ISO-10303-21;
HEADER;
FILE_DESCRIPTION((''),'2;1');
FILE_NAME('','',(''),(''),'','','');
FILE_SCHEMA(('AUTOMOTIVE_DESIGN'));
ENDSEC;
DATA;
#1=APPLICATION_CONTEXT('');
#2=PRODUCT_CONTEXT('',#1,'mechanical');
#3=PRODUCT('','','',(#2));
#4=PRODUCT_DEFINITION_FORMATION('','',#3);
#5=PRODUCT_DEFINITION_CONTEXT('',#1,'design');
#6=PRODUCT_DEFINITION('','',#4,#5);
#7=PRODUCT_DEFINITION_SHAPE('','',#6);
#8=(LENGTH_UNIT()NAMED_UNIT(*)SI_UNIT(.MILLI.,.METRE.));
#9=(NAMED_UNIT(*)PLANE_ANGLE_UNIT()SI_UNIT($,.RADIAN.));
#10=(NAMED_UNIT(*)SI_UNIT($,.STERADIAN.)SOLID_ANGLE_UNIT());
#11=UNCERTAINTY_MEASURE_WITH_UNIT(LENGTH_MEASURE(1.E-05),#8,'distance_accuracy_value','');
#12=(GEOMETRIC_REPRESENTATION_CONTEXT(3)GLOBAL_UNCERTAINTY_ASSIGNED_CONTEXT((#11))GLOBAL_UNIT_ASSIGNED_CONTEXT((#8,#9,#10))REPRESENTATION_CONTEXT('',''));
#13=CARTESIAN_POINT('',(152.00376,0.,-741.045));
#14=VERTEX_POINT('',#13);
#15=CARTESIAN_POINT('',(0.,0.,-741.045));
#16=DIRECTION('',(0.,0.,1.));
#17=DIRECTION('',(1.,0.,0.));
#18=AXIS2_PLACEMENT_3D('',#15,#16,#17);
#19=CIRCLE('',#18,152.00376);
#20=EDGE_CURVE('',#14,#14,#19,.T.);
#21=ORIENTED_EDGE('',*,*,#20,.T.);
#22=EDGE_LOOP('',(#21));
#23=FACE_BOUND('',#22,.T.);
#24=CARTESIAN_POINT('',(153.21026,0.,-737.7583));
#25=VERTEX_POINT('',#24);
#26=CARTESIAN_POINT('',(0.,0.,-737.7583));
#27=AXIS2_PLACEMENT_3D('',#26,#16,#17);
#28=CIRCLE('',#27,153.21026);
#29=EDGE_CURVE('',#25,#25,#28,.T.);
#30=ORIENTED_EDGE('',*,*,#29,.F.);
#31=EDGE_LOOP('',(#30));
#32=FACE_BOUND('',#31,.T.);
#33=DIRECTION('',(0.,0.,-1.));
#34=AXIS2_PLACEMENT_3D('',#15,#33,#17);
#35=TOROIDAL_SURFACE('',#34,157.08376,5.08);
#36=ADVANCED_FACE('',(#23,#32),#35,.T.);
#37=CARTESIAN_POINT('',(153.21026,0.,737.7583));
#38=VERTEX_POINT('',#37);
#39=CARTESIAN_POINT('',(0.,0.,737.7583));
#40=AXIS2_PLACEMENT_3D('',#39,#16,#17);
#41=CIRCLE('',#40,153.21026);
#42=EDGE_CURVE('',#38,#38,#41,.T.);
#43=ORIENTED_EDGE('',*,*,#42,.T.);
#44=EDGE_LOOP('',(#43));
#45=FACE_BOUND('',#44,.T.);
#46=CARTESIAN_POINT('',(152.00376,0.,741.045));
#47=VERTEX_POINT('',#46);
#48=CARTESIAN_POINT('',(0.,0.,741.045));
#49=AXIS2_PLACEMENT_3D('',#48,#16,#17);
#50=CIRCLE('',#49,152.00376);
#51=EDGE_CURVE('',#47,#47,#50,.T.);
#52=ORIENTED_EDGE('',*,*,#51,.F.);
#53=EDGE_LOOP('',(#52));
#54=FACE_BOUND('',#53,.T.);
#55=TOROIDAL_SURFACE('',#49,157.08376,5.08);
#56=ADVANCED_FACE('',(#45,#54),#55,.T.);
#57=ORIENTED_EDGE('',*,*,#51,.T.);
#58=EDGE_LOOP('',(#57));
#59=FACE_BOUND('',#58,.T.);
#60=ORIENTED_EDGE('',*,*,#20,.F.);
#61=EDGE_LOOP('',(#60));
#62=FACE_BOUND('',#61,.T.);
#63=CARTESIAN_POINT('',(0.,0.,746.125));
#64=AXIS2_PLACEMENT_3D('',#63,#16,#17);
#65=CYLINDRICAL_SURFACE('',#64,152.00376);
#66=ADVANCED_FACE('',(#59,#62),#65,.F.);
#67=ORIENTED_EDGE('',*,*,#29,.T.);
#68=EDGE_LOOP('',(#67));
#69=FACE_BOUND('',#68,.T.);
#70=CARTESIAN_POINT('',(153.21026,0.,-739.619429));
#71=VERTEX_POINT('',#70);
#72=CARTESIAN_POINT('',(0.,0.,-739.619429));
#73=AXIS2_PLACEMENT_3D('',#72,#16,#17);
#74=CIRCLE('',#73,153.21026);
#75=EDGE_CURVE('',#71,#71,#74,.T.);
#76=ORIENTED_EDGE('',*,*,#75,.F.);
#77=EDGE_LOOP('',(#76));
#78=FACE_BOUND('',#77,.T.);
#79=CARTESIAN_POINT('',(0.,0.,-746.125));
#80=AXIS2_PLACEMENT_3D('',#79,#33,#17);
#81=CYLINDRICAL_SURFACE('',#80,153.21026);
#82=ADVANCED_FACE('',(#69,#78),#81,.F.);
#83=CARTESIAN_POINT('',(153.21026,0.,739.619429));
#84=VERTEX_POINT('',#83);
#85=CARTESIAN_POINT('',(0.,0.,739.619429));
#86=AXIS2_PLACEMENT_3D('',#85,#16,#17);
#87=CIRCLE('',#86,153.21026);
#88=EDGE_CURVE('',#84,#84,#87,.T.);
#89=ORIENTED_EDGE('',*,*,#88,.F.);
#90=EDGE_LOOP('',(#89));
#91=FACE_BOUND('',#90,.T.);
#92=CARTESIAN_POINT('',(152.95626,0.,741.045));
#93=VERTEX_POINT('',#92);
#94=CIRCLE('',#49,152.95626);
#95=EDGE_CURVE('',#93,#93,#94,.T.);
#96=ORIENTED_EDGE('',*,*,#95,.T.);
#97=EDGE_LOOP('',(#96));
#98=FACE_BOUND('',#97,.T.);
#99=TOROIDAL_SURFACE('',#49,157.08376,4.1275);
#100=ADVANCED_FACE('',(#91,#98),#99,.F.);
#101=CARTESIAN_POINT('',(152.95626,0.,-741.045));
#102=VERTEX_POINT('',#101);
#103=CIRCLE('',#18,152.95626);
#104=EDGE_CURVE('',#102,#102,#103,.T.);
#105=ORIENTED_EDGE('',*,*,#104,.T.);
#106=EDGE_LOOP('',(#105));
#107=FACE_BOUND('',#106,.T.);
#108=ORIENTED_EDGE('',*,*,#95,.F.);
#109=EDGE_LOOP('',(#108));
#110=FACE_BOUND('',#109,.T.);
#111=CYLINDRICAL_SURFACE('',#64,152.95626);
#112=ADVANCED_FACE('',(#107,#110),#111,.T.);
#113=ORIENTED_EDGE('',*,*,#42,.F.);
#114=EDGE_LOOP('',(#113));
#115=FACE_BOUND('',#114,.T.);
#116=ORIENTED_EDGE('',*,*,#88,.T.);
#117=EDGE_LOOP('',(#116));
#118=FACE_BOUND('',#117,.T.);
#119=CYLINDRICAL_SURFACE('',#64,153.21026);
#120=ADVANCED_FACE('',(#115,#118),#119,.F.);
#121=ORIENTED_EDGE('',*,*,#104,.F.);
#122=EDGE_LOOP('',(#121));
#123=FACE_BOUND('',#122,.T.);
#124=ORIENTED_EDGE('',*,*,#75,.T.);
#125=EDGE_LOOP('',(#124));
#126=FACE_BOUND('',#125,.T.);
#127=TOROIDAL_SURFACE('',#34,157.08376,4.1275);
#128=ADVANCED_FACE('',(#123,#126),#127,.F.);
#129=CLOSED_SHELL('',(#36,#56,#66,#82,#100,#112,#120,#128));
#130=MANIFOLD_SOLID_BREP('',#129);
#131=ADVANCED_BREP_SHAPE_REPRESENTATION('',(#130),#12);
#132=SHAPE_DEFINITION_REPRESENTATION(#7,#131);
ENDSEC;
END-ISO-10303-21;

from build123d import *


with BuildPart() as part:
    # Sketch2 → Revolve1 (revolve)
    with BuildSketch(Plane(origin=(0, 0, 0), x_dir=(0, 0, -1), z_dir=(1, 0, 0)), mode=Mode.PRIVATE) as revolve1_sk:
        with BuildLine():
            Line((0, 152.95626), (-741.045, 152.95626))
            ThreePointArc((-741.045, 152.95626), (-741.769011395, 161.147263876), (-739.619428536, 153.21026))
            Line((-739.619428536, 153.21026), (-737.758299869, 153.21026))
            ThreePointArc((-737.758299869, 153.21026), (-742.795574192, 161.852605772), (-741.045, 152.00376))
            Line((-741.045, 152.00376), (0, 152.00376))
            Line((0, 152.00376), (0, 152.95626))
        make_face()
    revolve(revolve1_sk.sketch.rotate(Axis((0, 0, 746.125), (0, 0, -1)), 90), axis=Axis((0, 0, 746.125), (0, 0, -1)))

    # Mirror1: part across plane


with BuildPart() as part_1:
    add(part.part)
    add(part.part.mirror(Plane(origin=(0, 152.95626, 0), x_dir=(1, 0, 0), z_dir=(0, 0, 1))))


solid = part_1.part
